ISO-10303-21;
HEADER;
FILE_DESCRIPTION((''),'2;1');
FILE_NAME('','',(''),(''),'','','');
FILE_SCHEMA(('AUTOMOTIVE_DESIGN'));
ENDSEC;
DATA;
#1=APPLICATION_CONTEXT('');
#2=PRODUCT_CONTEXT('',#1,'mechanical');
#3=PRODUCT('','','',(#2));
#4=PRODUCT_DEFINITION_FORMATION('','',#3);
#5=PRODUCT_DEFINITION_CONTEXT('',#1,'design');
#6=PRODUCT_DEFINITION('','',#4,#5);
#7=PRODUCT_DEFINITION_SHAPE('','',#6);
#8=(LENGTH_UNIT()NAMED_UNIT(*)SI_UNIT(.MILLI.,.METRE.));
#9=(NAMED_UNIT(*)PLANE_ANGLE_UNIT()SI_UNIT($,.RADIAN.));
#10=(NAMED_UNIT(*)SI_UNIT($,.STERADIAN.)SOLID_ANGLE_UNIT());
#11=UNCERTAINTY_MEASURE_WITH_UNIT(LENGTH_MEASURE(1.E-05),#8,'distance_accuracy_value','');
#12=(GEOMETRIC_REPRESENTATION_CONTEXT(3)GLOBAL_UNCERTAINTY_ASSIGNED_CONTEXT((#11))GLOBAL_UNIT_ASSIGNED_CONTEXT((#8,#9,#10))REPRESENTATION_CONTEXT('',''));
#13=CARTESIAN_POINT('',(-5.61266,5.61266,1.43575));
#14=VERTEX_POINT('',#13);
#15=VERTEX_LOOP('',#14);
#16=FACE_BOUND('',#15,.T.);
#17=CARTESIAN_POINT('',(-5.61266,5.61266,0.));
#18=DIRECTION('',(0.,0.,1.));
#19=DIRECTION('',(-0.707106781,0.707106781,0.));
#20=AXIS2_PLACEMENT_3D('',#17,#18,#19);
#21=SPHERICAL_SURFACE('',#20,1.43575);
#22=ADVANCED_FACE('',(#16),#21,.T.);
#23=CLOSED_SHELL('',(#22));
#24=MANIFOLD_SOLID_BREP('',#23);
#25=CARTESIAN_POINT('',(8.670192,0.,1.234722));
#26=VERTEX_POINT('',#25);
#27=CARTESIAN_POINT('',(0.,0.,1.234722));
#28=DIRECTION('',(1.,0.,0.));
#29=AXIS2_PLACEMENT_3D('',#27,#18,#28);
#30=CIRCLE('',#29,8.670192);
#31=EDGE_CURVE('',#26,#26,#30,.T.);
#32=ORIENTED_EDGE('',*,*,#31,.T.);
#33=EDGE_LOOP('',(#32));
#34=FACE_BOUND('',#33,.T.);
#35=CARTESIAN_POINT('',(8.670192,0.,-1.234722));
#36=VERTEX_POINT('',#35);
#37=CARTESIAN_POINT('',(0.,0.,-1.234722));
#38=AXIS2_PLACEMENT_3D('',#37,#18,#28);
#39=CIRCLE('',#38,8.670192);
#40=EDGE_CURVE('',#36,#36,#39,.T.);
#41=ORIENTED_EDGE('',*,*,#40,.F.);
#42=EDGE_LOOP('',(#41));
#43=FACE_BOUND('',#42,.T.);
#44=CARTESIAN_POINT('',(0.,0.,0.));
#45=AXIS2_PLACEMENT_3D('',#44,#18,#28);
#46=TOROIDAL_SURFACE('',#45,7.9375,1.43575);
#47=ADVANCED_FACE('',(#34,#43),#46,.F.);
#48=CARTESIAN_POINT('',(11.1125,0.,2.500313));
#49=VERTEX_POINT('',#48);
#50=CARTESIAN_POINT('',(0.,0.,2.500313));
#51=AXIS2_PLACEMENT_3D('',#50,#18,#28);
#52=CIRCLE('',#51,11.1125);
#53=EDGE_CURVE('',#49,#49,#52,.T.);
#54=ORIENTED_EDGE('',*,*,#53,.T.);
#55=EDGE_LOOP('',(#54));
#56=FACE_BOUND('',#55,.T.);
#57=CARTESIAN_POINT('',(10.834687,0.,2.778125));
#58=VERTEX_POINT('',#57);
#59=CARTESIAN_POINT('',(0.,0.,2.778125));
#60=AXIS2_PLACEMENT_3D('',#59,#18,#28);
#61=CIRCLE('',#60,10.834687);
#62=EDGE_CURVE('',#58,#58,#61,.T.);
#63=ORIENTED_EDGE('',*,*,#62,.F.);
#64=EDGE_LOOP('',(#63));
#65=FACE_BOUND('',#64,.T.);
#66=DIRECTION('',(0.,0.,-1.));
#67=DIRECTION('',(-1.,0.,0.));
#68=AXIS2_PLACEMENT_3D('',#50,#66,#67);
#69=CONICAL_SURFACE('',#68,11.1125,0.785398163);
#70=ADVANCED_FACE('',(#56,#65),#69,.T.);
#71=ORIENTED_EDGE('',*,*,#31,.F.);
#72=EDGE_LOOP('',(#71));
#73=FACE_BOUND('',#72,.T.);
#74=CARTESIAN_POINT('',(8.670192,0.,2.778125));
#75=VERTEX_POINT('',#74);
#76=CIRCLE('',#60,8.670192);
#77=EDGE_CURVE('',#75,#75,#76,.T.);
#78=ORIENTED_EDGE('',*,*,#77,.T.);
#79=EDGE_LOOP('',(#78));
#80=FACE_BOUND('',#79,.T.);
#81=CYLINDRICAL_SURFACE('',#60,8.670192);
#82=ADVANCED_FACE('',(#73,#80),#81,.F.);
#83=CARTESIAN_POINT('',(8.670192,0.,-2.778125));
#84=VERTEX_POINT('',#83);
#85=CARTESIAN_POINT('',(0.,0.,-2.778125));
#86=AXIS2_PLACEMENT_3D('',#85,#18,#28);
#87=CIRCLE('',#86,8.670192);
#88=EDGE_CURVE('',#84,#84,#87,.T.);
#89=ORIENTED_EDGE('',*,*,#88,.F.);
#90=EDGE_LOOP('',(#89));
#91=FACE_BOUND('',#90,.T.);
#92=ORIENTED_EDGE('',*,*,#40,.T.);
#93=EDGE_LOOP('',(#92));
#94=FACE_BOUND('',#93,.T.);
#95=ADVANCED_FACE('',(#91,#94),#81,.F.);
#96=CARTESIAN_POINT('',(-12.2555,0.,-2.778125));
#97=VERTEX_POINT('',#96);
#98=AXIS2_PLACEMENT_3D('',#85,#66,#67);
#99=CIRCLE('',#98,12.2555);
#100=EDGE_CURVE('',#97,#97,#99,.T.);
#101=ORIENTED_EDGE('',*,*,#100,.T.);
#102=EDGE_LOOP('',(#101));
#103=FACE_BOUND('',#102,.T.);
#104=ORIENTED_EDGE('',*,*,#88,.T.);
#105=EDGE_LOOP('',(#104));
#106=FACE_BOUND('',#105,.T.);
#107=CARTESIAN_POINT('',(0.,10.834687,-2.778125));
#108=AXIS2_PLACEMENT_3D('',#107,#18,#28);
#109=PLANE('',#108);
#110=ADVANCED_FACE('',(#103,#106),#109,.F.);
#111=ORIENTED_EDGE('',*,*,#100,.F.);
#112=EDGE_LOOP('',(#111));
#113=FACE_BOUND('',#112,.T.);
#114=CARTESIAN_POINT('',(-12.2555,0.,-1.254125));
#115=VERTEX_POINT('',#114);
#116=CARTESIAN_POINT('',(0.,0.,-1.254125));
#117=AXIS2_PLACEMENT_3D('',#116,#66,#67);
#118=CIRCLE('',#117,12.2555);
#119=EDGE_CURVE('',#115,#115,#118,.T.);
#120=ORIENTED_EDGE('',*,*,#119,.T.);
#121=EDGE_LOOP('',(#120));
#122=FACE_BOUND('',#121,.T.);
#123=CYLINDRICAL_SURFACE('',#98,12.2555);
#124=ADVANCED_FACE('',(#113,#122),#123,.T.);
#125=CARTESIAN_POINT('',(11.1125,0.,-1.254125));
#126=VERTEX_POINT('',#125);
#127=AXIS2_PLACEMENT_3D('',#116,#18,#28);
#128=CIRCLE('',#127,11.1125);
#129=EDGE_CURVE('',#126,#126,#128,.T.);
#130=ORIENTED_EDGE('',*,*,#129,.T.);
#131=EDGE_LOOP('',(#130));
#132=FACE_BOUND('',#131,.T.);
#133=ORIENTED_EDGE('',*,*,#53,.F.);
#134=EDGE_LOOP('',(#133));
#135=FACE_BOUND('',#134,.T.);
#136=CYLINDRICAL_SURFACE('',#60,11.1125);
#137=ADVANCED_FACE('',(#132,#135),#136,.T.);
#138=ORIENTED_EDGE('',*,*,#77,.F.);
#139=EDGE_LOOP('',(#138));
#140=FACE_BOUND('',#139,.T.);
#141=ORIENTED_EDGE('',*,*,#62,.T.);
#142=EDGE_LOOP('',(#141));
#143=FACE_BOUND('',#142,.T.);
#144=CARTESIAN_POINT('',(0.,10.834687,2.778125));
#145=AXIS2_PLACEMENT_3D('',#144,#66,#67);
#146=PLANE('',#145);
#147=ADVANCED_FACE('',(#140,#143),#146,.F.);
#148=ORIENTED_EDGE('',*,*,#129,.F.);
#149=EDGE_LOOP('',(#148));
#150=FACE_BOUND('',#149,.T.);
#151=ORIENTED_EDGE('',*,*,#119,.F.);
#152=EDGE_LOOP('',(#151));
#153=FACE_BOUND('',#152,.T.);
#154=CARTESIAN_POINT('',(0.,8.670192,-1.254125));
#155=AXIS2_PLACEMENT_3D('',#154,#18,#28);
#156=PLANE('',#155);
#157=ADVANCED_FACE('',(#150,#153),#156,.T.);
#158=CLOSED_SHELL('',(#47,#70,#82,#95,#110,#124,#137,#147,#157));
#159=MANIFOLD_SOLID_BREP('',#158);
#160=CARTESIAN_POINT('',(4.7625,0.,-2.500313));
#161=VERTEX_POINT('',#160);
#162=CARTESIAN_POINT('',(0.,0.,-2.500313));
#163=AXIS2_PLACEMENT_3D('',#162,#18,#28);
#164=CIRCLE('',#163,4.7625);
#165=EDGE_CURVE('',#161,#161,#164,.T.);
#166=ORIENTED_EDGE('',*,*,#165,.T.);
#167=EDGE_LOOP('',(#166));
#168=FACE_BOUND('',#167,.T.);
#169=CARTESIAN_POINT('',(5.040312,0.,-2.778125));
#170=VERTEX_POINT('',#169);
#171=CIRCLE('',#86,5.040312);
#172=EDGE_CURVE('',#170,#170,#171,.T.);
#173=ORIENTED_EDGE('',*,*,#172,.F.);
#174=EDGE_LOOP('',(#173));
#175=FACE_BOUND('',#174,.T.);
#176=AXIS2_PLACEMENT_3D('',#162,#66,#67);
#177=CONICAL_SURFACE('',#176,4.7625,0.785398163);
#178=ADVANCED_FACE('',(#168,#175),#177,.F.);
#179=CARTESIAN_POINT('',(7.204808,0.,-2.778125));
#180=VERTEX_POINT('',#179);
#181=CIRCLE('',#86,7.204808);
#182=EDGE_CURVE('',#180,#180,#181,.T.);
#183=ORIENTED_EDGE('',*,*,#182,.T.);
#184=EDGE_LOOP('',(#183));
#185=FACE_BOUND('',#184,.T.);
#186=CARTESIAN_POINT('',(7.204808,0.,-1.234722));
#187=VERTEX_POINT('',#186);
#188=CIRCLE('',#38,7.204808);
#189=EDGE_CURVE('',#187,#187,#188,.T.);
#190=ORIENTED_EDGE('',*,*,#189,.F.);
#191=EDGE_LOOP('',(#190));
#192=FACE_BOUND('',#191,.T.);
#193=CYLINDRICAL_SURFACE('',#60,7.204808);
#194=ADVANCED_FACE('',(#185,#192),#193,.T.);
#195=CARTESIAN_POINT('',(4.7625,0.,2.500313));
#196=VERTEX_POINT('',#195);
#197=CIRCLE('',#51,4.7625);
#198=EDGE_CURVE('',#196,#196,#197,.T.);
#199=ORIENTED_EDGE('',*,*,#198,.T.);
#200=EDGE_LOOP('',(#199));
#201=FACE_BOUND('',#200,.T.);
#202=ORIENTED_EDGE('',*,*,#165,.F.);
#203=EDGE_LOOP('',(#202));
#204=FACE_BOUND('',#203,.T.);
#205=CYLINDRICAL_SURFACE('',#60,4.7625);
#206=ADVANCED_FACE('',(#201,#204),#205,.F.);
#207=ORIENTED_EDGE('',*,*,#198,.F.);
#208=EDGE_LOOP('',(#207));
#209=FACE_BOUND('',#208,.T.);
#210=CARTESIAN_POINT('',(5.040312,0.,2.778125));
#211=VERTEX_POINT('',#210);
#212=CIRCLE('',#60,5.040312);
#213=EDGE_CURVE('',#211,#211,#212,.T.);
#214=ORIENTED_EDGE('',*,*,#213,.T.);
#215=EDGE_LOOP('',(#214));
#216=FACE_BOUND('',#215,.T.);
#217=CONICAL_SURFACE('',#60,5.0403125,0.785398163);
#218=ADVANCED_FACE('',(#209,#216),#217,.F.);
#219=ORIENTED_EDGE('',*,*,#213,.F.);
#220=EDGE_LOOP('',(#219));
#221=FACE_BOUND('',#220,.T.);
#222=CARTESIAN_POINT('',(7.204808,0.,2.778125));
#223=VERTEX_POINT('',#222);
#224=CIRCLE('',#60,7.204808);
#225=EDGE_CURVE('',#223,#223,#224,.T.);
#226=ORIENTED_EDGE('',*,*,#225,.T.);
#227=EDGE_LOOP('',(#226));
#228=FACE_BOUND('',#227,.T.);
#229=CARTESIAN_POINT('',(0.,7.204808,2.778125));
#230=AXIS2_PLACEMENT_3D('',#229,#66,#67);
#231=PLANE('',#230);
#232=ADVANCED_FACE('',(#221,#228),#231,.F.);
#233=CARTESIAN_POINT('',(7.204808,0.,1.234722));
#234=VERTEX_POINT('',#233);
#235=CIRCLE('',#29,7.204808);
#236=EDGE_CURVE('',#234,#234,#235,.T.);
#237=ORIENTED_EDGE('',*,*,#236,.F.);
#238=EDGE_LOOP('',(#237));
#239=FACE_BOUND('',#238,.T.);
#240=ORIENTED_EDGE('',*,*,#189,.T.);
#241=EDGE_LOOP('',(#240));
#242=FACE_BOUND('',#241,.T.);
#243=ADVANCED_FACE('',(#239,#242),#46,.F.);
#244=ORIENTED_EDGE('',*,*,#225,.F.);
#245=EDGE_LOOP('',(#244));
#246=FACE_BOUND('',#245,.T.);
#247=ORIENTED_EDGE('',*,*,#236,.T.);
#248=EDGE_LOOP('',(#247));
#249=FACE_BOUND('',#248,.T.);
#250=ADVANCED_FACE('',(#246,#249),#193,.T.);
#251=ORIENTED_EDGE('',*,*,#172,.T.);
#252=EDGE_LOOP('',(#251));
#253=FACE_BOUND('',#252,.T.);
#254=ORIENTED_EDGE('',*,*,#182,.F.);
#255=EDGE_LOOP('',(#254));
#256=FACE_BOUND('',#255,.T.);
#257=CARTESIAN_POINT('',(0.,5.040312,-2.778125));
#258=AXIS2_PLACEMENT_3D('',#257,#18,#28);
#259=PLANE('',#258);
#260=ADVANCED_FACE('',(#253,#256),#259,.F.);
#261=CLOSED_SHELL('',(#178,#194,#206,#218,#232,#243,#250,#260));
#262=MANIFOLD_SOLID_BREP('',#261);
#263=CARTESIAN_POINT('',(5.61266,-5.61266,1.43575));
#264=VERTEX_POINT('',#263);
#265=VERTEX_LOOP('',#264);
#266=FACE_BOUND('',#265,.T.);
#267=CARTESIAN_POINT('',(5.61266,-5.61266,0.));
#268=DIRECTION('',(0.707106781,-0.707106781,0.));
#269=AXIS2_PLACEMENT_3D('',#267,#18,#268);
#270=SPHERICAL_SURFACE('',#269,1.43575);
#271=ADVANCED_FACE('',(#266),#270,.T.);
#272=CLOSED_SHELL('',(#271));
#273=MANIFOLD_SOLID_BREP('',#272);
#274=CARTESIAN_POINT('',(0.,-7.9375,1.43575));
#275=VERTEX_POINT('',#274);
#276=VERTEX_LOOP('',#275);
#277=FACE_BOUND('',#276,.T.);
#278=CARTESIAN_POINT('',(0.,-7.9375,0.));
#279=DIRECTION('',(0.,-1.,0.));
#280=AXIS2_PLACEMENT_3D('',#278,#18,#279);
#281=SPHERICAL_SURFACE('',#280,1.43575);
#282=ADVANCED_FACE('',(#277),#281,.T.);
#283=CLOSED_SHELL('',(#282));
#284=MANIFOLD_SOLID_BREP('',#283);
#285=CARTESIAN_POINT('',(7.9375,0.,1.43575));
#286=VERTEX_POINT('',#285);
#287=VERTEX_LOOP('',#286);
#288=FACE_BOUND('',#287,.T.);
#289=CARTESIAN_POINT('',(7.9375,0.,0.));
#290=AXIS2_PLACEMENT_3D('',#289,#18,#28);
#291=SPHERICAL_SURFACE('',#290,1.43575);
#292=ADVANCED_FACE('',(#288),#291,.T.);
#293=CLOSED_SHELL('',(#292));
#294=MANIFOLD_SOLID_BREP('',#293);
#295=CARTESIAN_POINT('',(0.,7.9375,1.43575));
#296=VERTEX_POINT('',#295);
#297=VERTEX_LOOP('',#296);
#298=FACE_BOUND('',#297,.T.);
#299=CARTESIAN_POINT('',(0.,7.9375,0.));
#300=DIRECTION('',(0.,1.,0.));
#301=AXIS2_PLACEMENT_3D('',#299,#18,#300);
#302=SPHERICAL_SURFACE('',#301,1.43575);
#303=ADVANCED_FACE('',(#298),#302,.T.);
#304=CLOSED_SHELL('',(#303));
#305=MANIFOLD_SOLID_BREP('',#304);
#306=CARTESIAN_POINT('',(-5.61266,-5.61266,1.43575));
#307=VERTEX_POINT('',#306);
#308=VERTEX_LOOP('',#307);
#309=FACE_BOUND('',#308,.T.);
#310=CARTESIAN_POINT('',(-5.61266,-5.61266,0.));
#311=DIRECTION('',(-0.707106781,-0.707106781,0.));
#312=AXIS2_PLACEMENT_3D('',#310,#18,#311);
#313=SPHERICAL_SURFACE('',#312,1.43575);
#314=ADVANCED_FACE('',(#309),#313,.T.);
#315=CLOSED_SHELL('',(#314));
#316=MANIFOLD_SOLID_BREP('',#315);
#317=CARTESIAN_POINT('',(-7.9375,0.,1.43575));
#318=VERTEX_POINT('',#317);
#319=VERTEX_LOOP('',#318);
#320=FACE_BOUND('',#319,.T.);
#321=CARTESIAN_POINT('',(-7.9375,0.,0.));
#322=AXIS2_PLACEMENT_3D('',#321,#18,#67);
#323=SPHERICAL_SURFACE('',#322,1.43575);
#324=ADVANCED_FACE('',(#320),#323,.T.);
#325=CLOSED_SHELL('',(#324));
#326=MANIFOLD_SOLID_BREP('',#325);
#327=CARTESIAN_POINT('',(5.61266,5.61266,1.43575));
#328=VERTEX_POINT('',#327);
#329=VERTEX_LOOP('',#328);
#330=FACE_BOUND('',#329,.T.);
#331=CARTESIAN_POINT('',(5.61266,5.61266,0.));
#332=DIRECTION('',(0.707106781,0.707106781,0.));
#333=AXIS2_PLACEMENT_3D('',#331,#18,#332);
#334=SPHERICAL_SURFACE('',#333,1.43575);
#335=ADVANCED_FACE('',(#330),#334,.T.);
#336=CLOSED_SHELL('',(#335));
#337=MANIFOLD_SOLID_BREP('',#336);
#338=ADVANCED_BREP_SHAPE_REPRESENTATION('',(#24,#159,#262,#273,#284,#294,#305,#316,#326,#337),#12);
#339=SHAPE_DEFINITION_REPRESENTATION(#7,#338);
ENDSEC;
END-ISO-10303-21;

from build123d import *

# Parameters (mm, degrees)
CIRPATTERN1_COUNT = 8
SKETCH6_W         = 1.524
SKETCH6_H         = 3.585307692


with BuildPart() as part:
    # Sketch1 → Revolve1 (revolve)
    with BuildSketch(Plane(origin=(0, 0, 0), x_dir=(0, 0, -1), z_dir=(1, 0, 0))):
        with BuildLine():
            Line((2.5003125, 11.1125), (-2.5003125, 11.1125))
            Line((-2.5003125, 11.1125), (-2.778125, 10.8346875))
            Line((-2.778125, 10.8346875), (-2.778125, 8.670192308))
            Line((-2.778125, 8.670192308), (-1.234722222, 8.670192308))
            ThreePointArc((-1.234722222, 8.670192308), (0, 9.373249624), (1.234722222, 8.670192308))
            Line((1.234722222, 8.670192308), (2.778125, 8.670192308))
            Line((2.778125, 8.670192308), (2.778125, 10.8346875))
            Line((2.778125, 10.8346875), (2.5003125, 11.1125))
        make_face()
    revolve(axis=Axis((0, 0, 2.778125), (0, 0, -1)))

    # Sketch6 → Revolve6 (revolve)
    with BuildSketch(Plane(origin=(0, 0, 0), x_dir=(0, 0, -1), z_dir=(1, 0, 0))):
        with Locations((2.016125, 10.462846154)):
            Rectangle(SKETCH6_W, SKETCH6_H)
    revolve(axis=Axis((0, 0, -2.778125), (0, 0, 1)))


with BuildPart() as body_2:
    # Sketch3 → Revolve3 (revolve)
    with BuildSketch(Plane(origin=(0, 0, 0), x_dir=(0, 0, -1), z_dir=(1, 0, 0))):
        with BuildLine():
            Line((-2.778125, 7.204807692), (-1.234722222, 7.204807692))
            ThreePointArc((-1.234722222, 7.204807692), (0, 6.501750376), (1.234722222, 7.204807692))
            Line((1.234722222, 7.204807692), (2.778125, 7.204807692))
            Line((2.778125, 7.204807692), (2.778125, 5.0403125))
            Line((2.778125, 5.0403125), (2.5003125, 4.7625))
            Line((2.5003125, 4.7625), (-2.5003125, 4.7625))
            Line((-2.5003125, 4.7625), (-2.778125, 5.0403125))
            Line((-2.778125, 5.0403125), (-2.778125, 7.204807692))
        make_face()
    revolve(axis=Axis((0, 0, 2.778125), (0, 0, -1)))


with BuildPart() as body_3:
    # Sketch4 → Revolve4 (revolve)
    with BuildSketch(Plane(origin=(0, 0, 0), x_dir=(0, 0, -1), z_dir=(1, 0, 0))):
        with BuildLine():
            Line((-1.435749624, 7.9375), (1.435749624, 7.9375))
            ThreePointArc((1.435749624, 7.9375), (0, 9.373249624), (-1.435749624, 7.9375))
        make_face()
    revolve(axis=Axis((0, 7.9375, 1.435749624), (0, 0, -1)))


with BuildPart() as cirpattern1_1:
    # CirPattern1: pattern copy
    add(body_3.part.rotate(Axis((0, 0, -2.778125), (0, 0, 1)), 1 * 360 / CIRPATTERN1_COUNT))


with BuildPart() as cirpattern1_2:
    # CirPattern1: pattern copy
    add(body_3.part.rotate(Axis((0, 0, -2.778125), (0, 0, 1)), 2 * 360 / CIRPATTERN1_COUNT))


with BuildPart() as cirpattern1_3:
    # CirPattern1: pattern copy
    add(body_3.part.rotate(Axis((0, 0, -2.778125), (0, 0, 1)), 3 * 360 / CIRPATTERN1_COUNT))


with BuildPart() as cirpattern1_4:
    # CirPattern1: pattern copy
    add(body_3.part.rotate(Axis((0, 0, -2.778125), (0, 0, 1)), 4 * 360 / CIRPATTERN1_COUNT))


with BuildPart() as cirpattern1_5:
    # CirPattern1: pattern copy
    add(body_3.part.rotate(Axis((0, 0, -2.778125), (0, 0, 1)), 5 * 360 / CIRPATTERN1_COUNT))


with BuildPart() as cirpattern1_6:
    # CirPattern1: pattern copy
    add(body_3.part.rotate(Axis((0, 0, -2.778125), (0, 0, 1)), 6 * 360 / CIRPATTERN1_COUNT))


with BuildPart() as cirpattern1_7:
    # CirPattern1: pattern copy
    add(body_3.part.rotate(Axis((0, 0, -2.778125), (0, 0, 1)), 7 * 360 / CIRPATTERN1_COUNT))


solid = Compound([part.part, body_2.part, body_3.part, cirpattern1_1.part, cirpattern1_2.part, cirpattern1_3.part, cirpattern1_4.part, cirpattern1_5.part, cirpattern1_6.part, cirpattern1_7.part])
